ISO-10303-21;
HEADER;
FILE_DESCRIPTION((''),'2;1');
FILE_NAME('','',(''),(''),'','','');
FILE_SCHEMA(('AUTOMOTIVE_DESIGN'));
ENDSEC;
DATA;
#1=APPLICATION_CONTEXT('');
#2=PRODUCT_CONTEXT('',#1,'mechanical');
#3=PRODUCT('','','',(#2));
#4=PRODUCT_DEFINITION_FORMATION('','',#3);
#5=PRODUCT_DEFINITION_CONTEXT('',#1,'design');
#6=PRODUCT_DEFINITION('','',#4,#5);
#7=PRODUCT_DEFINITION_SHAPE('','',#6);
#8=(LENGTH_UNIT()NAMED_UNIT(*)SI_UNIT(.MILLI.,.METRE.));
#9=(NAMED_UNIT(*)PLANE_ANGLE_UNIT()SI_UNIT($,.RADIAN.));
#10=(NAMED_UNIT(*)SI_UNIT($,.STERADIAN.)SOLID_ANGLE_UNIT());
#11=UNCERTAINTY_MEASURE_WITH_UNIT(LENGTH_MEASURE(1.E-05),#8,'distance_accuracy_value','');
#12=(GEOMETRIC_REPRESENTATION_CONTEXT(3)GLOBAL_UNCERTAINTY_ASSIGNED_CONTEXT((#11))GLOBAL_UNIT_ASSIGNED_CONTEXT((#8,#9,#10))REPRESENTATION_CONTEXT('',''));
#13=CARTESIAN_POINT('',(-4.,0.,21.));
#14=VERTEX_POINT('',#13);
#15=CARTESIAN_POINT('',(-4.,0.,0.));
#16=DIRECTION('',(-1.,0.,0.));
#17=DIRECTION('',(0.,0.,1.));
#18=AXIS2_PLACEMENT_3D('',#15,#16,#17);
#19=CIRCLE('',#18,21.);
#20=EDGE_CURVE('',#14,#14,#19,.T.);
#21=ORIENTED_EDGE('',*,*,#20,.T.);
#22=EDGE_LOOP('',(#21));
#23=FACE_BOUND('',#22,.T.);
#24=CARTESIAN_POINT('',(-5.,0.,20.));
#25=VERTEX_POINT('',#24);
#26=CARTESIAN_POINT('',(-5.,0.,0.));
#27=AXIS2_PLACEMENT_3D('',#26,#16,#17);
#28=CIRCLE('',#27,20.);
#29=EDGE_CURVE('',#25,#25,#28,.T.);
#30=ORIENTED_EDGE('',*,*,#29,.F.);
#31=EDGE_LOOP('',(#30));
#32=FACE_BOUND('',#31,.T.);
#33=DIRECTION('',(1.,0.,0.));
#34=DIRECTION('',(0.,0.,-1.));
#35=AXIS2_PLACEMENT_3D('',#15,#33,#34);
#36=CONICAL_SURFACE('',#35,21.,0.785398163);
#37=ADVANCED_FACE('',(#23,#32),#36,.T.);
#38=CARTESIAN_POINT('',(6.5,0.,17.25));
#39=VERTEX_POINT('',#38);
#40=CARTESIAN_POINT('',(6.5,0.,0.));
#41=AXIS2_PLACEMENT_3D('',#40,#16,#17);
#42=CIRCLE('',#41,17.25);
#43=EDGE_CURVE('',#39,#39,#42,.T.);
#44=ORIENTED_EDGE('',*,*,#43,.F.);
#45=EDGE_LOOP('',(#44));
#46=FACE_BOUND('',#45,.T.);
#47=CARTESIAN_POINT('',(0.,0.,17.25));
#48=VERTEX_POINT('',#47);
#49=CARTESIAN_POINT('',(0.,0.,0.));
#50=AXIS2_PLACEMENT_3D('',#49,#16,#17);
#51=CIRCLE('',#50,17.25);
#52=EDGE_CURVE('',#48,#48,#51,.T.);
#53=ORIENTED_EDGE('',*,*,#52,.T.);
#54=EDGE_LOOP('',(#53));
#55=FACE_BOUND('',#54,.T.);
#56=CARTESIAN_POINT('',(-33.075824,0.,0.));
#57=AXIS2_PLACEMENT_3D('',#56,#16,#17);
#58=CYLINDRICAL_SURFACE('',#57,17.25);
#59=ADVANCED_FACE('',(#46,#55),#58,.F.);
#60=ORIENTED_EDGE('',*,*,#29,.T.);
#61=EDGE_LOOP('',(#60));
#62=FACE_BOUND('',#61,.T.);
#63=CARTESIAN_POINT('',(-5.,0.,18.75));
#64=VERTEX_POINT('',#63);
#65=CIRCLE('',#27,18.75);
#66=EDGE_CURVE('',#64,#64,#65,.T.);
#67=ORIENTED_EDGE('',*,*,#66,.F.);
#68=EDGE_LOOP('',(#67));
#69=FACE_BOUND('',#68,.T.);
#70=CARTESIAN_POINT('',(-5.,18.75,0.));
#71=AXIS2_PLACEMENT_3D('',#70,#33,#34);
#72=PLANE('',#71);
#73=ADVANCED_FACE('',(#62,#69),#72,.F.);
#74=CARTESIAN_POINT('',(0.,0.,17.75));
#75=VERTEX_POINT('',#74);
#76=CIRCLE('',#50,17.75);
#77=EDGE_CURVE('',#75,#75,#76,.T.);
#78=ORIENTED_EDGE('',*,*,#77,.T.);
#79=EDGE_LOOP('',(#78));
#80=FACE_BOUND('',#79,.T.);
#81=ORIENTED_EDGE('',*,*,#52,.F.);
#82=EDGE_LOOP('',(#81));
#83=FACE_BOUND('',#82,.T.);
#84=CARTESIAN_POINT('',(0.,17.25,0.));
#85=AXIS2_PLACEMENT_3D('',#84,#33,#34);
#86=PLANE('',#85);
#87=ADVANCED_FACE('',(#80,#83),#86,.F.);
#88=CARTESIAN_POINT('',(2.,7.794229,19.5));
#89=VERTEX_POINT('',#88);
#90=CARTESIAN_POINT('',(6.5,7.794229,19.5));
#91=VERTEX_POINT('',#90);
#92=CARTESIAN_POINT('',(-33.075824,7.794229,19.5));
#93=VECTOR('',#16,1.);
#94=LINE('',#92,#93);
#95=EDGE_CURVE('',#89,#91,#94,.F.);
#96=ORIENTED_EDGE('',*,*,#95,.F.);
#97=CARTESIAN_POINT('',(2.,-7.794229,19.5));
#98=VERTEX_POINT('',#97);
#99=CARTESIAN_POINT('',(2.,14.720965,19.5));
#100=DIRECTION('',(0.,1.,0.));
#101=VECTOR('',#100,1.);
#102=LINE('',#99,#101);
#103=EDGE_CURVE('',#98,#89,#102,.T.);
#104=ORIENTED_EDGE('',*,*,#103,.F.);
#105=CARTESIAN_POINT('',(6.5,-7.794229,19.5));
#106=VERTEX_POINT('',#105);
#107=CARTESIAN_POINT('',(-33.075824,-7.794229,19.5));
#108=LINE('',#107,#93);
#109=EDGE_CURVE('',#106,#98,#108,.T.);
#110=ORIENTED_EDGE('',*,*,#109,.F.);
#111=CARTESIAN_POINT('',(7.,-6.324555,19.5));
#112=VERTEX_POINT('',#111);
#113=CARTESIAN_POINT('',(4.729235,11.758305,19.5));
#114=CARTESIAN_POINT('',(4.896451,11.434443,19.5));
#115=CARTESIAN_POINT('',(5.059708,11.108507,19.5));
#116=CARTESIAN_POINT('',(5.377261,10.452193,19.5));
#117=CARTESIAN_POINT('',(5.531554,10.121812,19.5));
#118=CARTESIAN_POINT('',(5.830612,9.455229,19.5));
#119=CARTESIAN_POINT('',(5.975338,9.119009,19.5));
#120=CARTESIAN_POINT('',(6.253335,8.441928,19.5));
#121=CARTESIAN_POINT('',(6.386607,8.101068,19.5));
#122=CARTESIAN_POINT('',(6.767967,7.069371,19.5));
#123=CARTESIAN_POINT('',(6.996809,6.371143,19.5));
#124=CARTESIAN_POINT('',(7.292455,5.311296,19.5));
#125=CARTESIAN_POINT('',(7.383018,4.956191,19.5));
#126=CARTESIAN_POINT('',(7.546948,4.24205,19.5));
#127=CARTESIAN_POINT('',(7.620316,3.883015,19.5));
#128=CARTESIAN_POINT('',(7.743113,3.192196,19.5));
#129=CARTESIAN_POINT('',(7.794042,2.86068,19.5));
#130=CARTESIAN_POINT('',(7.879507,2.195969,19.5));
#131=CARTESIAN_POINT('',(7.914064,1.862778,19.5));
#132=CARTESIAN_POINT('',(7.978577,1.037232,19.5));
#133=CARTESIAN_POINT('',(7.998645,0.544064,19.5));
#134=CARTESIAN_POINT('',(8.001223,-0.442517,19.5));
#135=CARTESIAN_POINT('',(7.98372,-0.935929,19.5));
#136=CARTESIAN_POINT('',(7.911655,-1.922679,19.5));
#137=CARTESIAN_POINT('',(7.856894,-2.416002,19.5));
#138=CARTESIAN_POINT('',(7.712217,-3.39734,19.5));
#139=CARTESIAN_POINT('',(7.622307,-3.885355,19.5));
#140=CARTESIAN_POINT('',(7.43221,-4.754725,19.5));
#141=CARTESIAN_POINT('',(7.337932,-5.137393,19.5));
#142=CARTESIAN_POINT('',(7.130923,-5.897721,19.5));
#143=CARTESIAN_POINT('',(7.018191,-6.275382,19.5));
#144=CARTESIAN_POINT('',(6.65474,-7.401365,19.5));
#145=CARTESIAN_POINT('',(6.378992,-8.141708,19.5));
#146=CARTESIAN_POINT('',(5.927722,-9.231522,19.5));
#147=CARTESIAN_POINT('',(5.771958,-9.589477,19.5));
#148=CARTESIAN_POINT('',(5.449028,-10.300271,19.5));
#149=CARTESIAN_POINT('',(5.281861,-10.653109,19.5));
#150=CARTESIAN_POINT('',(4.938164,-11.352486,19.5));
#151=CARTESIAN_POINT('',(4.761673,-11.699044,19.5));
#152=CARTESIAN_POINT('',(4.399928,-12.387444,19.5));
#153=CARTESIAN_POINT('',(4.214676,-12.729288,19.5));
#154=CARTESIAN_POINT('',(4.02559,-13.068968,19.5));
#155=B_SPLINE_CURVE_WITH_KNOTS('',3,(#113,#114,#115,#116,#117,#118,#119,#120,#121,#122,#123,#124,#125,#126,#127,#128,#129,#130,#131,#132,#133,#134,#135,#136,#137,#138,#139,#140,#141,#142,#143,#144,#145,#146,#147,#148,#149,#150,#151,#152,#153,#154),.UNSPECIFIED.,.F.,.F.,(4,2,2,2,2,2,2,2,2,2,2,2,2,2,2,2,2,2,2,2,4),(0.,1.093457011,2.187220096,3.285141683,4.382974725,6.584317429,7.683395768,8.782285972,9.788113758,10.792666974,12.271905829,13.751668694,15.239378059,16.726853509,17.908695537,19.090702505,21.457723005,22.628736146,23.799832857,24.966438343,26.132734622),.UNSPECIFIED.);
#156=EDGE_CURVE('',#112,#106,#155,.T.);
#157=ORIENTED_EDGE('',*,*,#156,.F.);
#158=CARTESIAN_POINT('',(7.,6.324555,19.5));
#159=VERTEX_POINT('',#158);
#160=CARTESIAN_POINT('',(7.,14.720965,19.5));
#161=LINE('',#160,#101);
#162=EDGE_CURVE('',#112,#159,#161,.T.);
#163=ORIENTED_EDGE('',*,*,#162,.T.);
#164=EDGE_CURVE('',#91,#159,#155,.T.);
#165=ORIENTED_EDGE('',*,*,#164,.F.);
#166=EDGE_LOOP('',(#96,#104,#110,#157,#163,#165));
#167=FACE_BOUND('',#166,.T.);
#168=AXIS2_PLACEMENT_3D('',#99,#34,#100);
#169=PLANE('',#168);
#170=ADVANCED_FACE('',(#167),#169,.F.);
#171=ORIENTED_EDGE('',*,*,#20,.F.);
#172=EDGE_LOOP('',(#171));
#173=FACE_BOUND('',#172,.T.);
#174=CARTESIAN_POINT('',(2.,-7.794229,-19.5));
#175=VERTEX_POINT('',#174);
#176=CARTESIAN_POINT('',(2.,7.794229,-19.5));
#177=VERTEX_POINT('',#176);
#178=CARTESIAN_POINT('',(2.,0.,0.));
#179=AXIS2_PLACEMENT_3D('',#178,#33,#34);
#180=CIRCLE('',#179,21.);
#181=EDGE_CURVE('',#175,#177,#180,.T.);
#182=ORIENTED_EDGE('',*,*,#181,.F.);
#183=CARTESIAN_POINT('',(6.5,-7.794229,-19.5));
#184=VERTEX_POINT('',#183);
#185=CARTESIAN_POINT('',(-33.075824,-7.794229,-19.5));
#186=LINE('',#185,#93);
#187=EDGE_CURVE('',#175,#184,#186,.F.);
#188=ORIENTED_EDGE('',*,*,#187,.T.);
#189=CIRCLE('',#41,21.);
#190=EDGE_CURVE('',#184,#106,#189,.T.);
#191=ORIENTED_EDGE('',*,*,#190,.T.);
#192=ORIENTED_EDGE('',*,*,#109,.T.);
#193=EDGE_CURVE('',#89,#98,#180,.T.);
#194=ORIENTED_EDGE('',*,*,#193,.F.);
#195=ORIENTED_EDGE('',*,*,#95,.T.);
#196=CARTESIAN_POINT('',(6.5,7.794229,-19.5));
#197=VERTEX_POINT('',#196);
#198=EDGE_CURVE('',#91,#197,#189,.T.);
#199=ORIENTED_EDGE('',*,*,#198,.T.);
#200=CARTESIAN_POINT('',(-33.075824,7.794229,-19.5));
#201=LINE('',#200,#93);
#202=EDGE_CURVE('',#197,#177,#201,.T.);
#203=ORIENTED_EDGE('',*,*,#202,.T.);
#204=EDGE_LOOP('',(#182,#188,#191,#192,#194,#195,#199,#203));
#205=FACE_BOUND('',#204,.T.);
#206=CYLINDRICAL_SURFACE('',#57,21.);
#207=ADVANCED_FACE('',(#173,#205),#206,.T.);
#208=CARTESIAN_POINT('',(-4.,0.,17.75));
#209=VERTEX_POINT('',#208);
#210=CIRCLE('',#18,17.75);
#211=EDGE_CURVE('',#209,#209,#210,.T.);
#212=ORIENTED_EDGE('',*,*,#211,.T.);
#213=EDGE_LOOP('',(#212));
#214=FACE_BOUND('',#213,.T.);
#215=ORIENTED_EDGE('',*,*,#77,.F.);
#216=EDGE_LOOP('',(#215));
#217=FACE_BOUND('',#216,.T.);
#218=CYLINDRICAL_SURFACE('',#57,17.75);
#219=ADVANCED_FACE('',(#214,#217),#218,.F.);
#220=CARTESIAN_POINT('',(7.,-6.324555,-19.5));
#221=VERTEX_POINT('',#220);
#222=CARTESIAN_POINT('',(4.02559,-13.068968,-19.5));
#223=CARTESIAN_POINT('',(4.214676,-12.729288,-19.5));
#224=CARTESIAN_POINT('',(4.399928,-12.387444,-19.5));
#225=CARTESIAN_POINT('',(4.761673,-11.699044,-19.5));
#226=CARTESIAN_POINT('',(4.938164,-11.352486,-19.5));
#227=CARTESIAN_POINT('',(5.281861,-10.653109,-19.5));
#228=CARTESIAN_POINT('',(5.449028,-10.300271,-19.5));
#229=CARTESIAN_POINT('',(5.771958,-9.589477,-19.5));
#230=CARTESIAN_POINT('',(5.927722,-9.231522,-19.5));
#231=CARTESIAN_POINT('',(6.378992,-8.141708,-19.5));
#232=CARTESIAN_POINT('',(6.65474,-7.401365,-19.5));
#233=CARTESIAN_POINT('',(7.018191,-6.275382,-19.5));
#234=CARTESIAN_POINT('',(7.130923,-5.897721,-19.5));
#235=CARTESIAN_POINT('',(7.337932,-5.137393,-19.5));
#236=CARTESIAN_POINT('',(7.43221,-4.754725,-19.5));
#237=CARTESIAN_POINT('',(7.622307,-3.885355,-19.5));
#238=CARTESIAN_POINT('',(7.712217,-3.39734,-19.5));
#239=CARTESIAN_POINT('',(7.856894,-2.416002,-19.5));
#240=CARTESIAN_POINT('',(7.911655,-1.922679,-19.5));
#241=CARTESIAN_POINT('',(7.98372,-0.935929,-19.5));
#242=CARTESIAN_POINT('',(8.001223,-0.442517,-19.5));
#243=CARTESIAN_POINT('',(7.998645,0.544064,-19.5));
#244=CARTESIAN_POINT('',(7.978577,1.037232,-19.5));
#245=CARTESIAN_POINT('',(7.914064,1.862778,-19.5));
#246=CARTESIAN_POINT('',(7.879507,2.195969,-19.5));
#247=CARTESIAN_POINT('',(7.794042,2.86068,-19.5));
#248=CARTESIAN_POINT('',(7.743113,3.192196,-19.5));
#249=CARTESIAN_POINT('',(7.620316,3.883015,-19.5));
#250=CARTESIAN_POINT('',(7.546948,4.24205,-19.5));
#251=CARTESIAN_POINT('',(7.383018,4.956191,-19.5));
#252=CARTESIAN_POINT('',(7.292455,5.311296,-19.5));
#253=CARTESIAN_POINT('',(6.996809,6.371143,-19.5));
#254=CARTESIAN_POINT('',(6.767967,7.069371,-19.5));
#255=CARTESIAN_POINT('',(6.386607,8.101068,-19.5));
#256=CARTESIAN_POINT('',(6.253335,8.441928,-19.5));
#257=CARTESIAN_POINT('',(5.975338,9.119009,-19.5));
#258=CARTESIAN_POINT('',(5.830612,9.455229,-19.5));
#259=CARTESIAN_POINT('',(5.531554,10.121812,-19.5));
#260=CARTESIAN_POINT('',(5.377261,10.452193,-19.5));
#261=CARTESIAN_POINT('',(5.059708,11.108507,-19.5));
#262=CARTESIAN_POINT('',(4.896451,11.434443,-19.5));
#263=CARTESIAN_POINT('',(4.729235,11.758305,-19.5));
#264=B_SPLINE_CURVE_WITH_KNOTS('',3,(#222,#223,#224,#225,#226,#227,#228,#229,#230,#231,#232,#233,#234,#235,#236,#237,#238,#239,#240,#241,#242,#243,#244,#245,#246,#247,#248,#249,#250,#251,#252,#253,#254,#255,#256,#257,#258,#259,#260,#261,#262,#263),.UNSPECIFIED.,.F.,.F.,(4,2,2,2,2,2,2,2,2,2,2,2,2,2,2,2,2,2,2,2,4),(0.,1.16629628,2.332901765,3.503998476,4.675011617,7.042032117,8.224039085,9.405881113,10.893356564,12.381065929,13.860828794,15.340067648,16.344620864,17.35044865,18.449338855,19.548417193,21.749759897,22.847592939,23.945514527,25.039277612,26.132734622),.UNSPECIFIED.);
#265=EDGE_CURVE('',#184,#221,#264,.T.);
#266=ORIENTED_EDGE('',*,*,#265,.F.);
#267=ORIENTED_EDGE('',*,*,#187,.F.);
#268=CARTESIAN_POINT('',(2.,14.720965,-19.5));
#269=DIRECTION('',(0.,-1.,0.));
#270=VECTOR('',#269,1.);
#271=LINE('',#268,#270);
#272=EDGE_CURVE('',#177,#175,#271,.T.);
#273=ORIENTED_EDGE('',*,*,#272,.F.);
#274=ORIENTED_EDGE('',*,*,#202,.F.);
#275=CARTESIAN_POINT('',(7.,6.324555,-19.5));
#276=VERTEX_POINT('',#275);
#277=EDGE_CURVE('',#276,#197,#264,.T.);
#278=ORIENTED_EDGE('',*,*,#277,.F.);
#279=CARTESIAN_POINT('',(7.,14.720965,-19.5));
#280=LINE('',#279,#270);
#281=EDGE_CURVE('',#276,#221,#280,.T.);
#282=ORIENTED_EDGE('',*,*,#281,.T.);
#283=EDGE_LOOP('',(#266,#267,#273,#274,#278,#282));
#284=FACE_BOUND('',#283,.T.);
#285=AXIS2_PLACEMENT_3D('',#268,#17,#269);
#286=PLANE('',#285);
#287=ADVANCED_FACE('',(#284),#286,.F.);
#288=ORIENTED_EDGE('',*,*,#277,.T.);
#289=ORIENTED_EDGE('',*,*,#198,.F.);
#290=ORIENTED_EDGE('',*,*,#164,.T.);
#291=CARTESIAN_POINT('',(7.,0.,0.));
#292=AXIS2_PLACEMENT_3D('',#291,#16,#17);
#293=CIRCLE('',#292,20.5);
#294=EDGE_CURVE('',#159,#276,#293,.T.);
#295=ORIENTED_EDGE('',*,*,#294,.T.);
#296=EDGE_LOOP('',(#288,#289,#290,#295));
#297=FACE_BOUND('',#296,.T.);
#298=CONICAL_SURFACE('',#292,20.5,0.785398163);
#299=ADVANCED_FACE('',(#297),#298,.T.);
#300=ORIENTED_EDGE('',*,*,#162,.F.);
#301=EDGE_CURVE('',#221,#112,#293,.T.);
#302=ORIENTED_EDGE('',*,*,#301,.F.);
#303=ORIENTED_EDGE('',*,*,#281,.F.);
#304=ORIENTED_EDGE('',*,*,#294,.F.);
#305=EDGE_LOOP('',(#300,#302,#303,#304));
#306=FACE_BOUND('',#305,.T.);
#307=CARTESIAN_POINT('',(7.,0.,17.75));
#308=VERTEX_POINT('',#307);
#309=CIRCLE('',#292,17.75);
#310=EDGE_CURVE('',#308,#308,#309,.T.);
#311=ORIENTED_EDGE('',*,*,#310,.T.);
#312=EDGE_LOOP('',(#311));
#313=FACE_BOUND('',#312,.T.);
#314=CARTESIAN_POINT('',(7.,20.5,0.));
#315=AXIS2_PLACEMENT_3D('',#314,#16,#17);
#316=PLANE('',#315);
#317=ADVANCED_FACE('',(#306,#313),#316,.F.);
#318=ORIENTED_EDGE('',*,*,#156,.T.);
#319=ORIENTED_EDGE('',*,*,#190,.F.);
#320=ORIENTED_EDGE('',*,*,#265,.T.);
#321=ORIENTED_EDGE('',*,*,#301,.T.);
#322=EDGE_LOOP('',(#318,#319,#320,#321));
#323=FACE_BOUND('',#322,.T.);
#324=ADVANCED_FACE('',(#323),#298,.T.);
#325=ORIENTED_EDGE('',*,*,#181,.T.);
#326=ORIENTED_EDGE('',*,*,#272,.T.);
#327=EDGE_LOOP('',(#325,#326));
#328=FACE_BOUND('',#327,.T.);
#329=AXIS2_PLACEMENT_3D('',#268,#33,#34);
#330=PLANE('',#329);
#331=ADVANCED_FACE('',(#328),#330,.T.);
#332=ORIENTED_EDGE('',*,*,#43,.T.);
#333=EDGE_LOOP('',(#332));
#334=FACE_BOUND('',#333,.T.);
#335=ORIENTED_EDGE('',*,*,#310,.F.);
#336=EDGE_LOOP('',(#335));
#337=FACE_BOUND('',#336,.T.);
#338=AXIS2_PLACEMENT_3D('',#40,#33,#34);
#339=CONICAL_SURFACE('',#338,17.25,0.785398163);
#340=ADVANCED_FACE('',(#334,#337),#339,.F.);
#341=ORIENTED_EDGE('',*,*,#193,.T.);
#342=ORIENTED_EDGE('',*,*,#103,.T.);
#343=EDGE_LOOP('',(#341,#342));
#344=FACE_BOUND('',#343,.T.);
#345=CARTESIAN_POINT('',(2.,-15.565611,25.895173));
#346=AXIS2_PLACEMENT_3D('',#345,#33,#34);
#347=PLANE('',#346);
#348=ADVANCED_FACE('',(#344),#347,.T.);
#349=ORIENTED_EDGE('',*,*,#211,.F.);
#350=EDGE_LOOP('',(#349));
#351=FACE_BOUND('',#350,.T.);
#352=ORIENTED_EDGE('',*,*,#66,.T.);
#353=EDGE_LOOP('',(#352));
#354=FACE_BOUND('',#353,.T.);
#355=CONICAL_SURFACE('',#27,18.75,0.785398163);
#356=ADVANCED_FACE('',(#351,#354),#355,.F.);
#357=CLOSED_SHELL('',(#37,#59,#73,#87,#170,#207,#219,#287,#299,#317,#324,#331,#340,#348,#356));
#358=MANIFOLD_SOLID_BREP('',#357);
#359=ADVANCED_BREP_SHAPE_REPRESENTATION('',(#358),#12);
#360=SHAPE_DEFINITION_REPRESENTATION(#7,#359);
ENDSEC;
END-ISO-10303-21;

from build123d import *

# Parameters (mm, degrees)
ESQUISSE2_W             = 6.395173454
ESQUISSE2_H             = 30.286576169
ENL_V_MAT_EXTRU_1_DEPTH = 5


with BuildPart() as part:
    # Esquisse1 → Révolution1 (revolve)
    with BuildSketch(Plane.XY):
        Polygon((0, 17.75), (-4, 17.75), (-5, 18.75), (-5, 20), (-4, 21), (6.5, 21), (7, 20.5), (7, 17.75), (6.5, 17.25), (0, 17.25), align=None)
    revolve(axis=Axis((-33.075824176, 0, 0), (1, 0, 0)))

    # Esquisse2 → Enlèv. mat.-Extru.1 (cut)
    with BuildSketch(Plane(origin=(7, 0, 0), x_dir=(0, 0, -1), z_dir=(1, 0, 0))):
        with Locations((-22.697586727, -0.422322776)):
            Rectangle(ESQUISSE2_W, ESQUISSE2_H)
        with Locations((22.697586727, -0.422322776)):
            Rectangle(ESQUISSE2_W, ESQUISSE2_H)
    extrude(amount=-ENL_V_MAT_EXTRU_1_DEPTH, mode=Mode.SUBTRACT)


solid = part.part
